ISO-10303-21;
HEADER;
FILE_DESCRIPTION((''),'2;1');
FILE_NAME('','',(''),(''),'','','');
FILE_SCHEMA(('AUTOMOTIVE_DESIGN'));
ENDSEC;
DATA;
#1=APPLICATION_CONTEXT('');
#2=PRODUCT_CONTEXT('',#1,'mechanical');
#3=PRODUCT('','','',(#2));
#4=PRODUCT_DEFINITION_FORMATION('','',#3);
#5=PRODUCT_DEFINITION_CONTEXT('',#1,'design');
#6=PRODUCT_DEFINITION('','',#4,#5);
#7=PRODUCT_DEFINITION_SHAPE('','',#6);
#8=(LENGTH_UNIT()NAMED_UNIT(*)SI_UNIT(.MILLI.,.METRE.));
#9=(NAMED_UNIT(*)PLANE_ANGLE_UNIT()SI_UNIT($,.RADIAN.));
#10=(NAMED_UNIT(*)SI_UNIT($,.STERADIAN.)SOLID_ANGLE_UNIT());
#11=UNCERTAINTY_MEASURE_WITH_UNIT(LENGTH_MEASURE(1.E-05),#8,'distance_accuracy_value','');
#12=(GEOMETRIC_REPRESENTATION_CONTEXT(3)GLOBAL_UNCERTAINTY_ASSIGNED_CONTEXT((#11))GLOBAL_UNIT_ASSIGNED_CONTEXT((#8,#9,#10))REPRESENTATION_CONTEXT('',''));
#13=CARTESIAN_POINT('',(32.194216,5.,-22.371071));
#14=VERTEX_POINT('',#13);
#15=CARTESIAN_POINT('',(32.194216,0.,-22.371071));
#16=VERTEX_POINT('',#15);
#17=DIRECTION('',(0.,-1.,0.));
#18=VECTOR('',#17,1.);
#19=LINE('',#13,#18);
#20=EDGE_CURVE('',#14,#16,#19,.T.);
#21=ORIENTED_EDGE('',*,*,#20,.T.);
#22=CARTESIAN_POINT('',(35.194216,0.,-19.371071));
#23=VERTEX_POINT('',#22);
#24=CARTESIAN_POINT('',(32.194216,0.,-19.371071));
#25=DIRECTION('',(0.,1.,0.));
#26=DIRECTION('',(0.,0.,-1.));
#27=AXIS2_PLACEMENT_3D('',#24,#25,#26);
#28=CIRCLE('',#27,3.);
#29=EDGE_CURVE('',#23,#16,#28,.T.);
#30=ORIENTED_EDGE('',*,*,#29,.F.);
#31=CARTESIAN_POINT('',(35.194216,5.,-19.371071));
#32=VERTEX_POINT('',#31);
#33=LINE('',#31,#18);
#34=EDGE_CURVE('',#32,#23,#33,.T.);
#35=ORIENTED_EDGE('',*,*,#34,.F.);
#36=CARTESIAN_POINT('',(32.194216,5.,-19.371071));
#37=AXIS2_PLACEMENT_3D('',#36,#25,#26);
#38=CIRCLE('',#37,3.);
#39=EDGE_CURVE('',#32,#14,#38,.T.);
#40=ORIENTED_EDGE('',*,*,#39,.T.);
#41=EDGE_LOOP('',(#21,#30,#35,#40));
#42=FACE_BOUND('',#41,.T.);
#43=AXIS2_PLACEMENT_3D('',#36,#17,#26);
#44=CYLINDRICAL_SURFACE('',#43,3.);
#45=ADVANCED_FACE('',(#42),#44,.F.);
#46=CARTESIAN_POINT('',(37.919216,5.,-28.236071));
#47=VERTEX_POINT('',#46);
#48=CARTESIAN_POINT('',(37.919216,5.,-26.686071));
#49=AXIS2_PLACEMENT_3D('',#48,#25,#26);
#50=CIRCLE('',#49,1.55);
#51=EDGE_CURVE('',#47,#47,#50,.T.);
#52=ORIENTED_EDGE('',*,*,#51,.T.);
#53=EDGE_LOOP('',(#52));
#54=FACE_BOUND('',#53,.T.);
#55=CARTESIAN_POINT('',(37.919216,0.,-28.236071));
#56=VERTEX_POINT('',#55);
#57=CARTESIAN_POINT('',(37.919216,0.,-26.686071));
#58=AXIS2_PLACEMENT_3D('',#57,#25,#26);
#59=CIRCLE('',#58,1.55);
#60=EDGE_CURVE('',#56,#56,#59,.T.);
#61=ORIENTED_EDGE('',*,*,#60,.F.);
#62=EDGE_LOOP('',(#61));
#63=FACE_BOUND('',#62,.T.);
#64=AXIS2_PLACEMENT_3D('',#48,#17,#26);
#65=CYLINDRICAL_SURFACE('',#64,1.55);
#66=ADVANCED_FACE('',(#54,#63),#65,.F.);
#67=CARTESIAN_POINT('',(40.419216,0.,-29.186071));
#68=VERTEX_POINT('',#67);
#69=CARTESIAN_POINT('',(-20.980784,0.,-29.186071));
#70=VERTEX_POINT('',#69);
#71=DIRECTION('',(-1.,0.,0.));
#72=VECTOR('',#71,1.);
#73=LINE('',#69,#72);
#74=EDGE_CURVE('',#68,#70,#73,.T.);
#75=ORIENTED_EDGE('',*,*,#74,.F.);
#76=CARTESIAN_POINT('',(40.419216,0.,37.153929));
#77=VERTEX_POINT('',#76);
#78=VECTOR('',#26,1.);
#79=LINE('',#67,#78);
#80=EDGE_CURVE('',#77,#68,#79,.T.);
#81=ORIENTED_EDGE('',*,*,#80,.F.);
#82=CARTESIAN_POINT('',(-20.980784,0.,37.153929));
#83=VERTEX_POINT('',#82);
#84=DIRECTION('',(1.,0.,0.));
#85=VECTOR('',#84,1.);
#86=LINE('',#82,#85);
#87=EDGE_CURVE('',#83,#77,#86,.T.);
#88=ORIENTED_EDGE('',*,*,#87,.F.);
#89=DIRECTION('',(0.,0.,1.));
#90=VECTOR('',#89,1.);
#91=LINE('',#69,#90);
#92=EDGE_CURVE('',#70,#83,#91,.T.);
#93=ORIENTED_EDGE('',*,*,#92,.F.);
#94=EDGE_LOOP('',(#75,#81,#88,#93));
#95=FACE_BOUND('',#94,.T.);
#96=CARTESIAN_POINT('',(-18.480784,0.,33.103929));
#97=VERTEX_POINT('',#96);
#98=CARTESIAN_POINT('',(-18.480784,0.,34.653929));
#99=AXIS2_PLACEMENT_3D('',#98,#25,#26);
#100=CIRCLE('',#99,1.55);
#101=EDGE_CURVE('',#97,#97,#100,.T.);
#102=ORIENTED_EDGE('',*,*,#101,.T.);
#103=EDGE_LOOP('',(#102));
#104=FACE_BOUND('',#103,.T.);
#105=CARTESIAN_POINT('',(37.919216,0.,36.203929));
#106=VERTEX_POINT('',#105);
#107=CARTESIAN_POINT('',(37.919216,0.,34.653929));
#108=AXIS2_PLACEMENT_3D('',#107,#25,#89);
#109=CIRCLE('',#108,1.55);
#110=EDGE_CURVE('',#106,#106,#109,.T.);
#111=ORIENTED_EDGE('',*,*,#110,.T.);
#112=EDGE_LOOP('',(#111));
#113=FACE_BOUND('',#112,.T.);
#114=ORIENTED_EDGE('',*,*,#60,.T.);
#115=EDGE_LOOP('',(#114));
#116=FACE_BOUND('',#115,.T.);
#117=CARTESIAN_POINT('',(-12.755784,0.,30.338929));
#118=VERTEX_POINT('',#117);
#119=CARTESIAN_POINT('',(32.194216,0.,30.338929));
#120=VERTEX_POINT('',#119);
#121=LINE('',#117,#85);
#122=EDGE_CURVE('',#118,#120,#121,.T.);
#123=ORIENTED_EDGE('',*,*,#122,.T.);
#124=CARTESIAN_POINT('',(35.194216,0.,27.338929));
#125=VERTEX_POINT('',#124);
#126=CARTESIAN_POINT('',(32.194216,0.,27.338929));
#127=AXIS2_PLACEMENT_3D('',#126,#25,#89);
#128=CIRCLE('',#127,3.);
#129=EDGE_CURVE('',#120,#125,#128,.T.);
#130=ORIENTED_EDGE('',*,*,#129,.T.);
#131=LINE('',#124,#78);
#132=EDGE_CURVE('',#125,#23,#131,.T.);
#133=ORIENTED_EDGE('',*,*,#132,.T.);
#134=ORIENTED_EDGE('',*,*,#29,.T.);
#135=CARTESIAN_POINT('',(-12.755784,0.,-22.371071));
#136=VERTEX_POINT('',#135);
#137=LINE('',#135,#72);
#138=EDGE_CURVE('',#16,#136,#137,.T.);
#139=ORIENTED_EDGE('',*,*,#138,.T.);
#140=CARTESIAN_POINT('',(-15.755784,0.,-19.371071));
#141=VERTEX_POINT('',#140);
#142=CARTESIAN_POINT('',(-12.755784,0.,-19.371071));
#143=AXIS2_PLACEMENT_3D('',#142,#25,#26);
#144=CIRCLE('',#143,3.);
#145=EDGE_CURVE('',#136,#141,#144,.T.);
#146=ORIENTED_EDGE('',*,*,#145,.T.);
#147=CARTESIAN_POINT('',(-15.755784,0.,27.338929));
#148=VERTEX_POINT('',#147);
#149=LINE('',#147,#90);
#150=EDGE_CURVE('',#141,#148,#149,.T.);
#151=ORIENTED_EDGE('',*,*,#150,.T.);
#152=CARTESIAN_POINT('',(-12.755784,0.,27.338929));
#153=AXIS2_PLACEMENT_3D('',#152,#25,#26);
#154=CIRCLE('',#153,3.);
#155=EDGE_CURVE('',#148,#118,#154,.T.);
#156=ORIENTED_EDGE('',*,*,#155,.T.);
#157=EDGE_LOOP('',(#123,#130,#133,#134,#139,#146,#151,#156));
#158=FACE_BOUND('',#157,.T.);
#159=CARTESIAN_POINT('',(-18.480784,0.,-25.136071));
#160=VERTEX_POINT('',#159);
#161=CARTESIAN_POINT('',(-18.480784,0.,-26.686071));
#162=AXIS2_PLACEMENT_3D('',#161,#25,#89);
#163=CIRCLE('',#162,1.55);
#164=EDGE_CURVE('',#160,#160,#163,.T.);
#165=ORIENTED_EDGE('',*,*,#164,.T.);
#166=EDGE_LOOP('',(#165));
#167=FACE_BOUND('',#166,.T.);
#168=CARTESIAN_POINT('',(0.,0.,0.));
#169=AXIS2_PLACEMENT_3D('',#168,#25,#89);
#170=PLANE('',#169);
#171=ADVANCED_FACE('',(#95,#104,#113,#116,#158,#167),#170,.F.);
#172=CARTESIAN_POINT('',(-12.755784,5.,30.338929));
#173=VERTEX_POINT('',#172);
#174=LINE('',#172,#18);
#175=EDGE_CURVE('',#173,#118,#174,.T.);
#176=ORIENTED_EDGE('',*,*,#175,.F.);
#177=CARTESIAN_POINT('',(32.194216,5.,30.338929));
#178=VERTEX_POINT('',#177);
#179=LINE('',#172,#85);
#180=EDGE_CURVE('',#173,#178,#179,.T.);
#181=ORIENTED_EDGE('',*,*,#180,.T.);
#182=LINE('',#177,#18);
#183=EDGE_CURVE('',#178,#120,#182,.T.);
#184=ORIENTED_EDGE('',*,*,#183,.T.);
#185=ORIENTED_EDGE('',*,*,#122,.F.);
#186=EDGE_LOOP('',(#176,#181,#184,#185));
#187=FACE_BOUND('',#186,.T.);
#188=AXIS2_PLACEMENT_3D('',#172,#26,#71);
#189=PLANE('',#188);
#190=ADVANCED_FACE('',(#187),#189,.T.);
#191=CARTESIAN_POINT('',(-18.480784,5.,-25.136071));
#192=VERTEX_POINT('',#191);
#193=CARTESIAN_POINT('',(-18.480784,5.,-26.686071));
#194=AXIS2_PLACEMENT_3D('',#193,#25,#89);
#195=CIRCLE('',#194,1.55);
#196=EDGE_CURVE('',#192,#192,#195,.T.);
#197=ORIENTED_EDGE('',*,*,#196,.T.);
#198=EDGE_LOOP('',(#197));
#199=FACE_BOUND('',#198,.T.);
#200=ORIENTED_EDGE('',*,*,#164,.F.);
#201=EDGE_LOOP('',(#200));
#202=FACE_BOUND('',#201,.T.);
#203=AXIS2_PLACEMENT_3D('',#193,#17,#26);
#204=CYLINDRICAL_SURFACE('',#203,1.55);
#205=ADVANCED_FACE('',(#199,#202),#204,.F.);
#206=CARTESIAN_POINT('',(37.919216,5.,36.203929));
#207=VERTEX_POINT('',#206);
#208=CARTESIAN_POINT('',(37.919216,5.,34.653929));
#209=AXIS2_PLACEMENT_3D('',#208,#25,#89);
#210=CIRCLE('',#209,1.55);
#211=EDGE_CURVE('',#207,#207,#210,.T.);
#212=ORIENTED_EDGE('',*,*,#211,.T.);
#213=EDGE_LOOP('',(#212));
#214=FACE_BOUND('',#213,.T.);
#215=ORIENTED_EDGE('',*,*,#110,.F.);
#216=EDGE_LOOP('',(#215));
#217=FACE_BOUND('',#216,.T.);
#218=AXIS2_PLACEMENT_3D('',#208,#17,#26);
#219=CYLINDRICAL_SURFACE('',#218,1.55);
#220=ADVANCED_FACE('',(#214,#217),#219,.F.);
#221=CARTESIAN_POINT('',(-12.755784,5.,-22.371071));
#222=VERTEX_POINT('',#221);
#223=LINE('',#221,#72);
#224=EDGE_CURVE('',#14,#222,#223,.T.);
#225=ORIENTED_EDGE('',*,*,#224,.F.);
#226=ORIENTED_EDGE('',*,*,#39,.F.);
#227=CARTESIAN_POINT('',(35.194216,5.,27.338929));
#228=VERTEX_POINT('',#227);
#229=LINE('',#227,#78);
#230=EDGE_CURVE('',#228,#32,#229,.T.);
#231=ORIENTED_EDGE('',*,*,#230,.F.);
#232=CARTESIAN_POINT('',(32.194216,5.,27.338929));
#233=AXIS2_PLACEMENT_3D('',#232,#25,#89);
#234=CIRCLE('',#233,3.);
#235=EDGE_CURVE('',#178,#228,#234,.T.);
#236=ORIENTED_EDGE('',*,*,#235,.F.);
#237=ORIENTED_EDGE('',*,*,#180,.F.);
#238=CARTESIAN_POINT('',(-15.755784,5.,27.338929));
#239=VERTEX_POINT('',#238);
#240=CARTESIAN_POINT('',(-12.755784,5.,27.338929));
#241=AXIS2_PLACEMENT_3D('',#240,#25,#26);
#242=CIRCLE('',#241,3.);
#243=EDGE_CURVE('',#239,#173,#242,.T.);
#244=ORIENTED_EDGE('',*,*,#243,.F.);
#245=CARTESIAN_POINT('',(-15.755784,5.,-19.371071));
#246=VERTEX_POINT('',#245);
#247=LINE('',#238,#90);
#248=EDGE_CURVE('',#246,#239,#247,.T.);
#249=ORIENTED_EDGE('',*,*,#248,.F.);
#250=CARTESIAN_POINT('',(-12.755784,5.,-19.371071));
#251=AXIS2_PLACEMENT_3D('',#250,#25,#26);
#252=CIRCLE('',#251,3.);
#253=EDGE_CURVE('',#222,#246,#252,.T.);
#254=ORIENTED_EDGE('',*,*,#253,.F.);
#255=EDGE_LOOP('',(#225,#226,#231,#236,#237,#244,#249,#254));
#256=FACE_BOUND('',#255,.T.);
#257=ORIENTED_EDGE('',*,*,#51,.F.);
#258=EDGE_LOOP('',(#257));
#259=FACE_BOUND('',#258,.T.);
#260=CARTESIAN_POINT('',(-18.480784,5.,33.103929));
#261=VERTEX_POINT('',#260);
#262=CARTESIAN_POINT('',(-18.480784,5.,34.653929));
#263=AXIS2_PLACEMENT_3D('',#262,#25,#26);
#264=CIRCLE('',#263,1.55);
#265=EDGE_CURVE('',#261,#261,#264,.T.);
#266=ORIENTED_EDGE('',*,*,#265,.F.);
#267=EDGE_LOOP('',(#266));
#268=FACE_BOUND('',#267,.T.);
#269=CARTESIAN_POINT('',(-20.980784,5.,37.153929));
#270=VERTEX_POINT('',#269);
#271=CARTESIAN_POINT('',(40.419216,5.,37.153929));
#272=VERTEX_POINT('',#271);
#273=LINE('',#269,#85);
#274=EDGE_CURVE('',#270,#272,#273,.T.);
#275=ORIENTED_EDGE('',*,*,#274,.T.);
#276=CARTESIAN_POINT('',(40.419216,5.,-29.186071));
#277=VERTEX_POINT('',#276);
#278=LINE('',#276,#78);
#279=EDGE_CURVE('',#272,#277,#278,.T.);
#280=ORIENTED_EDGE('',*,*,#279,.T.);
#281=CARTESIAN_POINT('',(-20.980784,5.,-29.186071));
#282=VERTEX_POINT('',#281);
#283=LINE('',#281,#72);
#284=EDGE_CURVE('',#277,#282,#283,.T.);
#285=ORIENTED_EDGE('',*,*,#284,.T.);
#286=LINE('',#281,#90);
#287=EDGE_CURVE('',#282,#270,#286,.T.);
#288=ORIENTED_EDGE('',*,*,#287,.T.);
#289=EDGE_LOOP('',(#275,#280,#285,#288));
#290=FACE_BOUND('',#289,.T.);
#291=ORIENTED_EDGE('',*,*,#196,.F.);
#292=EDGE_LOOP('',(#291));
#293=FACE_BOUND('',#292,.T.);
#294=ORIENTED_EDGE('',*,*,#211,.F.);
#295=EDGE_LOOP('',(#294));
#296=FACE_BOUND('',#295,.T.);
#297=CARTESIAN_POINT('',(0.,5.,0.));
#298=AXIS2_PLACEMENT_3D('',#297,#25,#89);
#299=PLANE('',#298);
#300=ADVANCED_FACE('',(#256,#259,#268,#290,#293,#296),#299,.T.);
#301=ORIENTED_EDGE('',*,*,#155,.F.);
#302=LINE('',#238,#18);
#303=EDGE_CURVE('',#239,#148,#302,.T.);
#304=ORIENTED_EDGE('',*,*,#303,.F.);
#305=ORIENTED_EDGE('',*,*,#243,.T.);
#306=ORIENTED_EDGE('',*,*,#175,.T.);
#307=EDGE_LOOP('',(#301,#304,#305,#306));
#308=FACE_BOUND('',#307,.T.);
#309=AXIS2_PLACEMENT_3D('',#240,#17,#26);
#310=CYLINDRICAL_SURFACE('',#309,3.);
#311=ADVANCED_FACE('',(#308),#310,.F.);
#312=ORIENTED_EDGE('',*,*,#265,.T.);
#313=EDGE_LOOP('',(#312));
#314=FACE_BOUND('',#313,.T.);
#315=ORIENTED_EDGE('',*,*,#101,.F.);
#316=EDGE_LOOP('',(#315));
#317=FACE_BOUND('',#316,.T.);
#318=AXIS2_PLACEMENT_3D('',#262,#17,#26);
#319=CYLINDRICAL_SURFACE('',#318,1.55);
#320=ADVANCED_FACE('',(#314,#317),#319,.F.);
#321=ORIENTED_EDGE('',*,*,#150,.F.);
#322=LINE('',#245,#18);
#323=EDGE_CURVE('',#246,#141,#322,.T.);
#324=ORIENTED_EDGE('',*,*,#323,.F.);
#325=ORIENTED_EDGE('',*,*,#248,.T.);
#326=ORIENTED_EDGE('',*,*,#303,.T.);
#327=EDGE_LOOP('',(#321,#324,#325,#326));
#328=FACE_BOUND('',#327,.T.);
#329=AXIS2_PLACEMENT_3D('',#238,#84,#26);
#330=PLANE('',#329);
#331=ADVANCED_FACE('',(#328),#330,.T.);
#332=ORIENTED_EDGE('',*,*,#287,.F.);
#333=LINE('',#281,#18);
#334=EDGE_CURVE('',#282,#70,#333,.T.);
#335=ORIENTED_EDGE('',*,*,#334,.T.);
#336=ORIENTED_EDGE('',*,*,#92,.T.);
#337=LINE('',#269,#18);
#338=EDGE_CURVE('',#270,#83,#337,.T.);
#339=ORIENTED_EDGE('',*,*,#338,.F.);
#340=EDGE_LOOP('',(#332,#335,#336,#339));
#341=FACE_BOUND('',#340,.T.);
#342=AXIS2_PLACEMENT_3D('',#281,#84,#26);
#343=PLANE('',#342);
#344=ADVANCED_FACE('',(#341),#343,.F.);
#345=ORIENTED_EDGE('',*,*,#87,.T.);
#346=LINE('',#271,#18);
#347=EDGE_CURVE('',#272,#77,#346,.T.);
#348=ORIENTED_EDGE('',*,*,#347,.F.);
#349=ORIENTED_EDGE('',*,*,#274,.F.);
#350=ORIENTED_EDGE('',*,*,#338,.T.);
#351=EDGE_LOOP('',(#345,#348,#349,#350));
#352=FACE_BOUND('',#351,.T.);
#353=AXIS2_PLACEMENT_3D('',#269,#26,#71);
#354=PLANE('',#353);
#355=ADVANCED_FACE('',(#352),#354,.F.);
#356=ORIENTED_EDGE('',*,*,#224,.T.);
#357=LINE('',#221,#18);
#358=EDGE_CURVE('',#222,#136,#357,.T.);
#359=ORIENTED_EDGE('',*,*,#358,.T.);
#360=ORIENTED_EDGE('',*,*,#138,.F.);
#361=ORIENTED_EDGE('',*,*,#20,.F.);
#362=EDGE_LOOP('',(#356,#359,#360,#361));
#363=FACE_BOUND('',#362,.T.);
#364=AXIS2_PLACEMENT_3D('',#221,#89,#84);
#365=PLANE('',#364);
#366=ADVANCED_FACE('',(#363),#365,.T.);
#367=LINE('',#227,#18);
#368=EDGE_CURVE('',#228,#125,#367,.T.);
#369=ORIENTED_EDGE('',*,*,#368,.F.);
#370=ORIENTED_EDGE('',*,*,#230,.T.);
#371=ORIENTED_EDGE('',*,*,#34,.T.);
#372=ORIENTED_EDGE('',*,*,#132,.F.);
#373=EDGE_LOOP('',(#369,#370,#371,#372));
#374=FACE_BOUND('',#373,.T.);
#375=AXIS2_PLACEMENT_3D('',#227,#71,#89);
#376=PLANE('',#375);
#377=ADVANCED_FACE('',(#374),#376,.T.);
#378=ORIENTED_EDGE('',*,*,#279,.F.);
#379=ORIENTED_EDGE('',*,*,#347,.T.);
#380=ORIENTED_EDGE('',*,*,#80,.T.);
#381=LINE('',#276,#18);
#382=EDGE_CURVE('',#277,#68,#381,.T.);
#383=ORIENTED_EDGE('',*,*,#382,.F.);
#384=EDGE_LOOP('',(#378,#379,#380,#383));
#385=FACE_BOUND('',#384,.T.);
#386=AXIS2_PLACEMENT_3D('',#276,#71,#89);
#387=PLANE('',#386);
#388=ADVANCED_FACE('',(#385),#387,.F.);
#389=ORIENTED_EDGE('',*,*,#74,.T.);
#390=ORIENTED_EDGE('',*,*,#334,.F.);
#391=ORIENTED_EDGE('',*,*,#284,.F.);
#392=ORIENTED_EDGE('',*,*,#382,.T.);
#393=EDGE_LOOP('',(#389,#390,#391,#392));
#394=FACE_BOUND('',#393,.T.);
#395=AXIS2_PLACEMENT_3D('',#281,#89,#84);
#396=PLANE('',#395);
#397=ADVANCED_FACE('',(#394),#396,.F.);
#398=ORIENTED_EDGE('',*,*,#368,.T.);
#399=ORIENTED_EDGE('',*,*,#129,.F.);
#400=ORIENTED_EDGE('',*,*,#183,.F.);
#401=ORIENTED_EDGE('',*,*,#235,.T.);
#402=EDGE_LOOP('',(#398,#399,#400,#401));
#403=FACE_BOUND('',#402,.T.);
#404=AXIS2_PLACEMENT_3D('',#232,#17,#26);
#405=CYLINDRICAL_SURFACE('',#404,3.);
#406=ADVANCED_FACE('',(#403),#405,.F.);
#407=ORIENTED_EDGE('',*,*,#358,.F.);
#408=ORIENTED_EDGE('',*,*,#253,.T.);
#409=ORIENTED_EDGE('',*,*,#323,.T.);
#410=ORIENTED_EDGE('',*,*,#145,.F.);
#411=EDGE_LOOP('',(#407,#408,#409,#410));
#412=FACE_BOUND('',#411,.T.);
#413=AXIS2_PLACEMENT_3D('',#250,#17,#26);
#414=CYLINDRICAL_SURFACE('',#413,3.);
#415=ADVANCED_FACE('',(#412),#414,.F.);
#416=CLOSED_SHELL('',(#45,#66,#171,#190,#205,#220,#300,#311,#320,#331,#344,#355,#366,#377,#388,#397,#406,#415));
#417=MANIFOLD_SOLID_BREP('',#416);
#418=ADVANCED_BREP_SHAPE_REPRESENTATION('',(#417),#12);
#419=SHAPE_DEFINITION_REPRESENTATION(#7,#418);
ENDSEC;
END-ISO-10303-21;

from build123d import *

# Parameters (mm, degrees)
SKETCH1_W           = 61.4
SKETCH1_H           = 66.34
SKETCH1_R           = 1.55
BOSS_EXTRUDE1_DEPTH = 5


with BuildPart() as part:
    # Sketch1 → Boss-Extrude1 (new body)
    with BuildSketch(Plane(origin=(0, 0, 0), x_dir=(1, 0, 0), z_dir=(0, 1, 0))):
        with Locations((9.719215892, -3.98392863)):
            Rectangle(SKETCH1_W, SKETCH1_H)
        with Locations(Location((-18.480784108, 26.68607137, 0), (0, 0, 270))):
            Circle(SKETCH1_R, mode=Mode.SUBTRACT)
        with Locations(Location((37.919215892, 26.68607137, 0), (0, 0, 90))):
            Circle(SKETCH1_R, mode=Mode.SUBTRACT)
        with Locations(Location((37.919215892, -34.65392863, 0), (0, 0, 270))):
            Circle(SKETCH1_R, mode=Mode.SUBTRACT)
        with Locations(Location((-18.480784108, -34.65392863, 0), (0, 0, 90))):
            Circle(SKETCH1_R, mode=Mode.SUBTRACT)
        with BuildLine():
            Line((-12.755784108, -30.33892863), (32.194215892, -30.33892863))
            ThreePointArc((32.194215892, -30.33892863), (34.315536235, -29.460248974), (35.194215892, -27.33892863))
            Line((35.194215892, -27.33892863), (35.194215892, 19.37107137))
            ThreePointArc((35.194215892, 19.37107137), (34.315536235, 21.492391714), (32.194215892, 22.37107137))
            Line((32.194215892, 22.37107137), (-12.755784108, 22.37107137))
            ThreePointArc((-12.755784108, 22.37107137), (-14.877104452, 21.492391714), (-15.755784108, 19.37107137))
            Line((-15.755784108, 19.37107137), (-15.755784108, -27.33892863))
            ThreePointArc((-15.755784108, -27.33892863), (-14.877104452, -29.460248974), (-12.755784108, -30.33892863))
        make_face(mode=Mode.SUBTRACT)
    extrude(amount=BOSS_EXTRUDE1_DEPTH)


solid = part.part
